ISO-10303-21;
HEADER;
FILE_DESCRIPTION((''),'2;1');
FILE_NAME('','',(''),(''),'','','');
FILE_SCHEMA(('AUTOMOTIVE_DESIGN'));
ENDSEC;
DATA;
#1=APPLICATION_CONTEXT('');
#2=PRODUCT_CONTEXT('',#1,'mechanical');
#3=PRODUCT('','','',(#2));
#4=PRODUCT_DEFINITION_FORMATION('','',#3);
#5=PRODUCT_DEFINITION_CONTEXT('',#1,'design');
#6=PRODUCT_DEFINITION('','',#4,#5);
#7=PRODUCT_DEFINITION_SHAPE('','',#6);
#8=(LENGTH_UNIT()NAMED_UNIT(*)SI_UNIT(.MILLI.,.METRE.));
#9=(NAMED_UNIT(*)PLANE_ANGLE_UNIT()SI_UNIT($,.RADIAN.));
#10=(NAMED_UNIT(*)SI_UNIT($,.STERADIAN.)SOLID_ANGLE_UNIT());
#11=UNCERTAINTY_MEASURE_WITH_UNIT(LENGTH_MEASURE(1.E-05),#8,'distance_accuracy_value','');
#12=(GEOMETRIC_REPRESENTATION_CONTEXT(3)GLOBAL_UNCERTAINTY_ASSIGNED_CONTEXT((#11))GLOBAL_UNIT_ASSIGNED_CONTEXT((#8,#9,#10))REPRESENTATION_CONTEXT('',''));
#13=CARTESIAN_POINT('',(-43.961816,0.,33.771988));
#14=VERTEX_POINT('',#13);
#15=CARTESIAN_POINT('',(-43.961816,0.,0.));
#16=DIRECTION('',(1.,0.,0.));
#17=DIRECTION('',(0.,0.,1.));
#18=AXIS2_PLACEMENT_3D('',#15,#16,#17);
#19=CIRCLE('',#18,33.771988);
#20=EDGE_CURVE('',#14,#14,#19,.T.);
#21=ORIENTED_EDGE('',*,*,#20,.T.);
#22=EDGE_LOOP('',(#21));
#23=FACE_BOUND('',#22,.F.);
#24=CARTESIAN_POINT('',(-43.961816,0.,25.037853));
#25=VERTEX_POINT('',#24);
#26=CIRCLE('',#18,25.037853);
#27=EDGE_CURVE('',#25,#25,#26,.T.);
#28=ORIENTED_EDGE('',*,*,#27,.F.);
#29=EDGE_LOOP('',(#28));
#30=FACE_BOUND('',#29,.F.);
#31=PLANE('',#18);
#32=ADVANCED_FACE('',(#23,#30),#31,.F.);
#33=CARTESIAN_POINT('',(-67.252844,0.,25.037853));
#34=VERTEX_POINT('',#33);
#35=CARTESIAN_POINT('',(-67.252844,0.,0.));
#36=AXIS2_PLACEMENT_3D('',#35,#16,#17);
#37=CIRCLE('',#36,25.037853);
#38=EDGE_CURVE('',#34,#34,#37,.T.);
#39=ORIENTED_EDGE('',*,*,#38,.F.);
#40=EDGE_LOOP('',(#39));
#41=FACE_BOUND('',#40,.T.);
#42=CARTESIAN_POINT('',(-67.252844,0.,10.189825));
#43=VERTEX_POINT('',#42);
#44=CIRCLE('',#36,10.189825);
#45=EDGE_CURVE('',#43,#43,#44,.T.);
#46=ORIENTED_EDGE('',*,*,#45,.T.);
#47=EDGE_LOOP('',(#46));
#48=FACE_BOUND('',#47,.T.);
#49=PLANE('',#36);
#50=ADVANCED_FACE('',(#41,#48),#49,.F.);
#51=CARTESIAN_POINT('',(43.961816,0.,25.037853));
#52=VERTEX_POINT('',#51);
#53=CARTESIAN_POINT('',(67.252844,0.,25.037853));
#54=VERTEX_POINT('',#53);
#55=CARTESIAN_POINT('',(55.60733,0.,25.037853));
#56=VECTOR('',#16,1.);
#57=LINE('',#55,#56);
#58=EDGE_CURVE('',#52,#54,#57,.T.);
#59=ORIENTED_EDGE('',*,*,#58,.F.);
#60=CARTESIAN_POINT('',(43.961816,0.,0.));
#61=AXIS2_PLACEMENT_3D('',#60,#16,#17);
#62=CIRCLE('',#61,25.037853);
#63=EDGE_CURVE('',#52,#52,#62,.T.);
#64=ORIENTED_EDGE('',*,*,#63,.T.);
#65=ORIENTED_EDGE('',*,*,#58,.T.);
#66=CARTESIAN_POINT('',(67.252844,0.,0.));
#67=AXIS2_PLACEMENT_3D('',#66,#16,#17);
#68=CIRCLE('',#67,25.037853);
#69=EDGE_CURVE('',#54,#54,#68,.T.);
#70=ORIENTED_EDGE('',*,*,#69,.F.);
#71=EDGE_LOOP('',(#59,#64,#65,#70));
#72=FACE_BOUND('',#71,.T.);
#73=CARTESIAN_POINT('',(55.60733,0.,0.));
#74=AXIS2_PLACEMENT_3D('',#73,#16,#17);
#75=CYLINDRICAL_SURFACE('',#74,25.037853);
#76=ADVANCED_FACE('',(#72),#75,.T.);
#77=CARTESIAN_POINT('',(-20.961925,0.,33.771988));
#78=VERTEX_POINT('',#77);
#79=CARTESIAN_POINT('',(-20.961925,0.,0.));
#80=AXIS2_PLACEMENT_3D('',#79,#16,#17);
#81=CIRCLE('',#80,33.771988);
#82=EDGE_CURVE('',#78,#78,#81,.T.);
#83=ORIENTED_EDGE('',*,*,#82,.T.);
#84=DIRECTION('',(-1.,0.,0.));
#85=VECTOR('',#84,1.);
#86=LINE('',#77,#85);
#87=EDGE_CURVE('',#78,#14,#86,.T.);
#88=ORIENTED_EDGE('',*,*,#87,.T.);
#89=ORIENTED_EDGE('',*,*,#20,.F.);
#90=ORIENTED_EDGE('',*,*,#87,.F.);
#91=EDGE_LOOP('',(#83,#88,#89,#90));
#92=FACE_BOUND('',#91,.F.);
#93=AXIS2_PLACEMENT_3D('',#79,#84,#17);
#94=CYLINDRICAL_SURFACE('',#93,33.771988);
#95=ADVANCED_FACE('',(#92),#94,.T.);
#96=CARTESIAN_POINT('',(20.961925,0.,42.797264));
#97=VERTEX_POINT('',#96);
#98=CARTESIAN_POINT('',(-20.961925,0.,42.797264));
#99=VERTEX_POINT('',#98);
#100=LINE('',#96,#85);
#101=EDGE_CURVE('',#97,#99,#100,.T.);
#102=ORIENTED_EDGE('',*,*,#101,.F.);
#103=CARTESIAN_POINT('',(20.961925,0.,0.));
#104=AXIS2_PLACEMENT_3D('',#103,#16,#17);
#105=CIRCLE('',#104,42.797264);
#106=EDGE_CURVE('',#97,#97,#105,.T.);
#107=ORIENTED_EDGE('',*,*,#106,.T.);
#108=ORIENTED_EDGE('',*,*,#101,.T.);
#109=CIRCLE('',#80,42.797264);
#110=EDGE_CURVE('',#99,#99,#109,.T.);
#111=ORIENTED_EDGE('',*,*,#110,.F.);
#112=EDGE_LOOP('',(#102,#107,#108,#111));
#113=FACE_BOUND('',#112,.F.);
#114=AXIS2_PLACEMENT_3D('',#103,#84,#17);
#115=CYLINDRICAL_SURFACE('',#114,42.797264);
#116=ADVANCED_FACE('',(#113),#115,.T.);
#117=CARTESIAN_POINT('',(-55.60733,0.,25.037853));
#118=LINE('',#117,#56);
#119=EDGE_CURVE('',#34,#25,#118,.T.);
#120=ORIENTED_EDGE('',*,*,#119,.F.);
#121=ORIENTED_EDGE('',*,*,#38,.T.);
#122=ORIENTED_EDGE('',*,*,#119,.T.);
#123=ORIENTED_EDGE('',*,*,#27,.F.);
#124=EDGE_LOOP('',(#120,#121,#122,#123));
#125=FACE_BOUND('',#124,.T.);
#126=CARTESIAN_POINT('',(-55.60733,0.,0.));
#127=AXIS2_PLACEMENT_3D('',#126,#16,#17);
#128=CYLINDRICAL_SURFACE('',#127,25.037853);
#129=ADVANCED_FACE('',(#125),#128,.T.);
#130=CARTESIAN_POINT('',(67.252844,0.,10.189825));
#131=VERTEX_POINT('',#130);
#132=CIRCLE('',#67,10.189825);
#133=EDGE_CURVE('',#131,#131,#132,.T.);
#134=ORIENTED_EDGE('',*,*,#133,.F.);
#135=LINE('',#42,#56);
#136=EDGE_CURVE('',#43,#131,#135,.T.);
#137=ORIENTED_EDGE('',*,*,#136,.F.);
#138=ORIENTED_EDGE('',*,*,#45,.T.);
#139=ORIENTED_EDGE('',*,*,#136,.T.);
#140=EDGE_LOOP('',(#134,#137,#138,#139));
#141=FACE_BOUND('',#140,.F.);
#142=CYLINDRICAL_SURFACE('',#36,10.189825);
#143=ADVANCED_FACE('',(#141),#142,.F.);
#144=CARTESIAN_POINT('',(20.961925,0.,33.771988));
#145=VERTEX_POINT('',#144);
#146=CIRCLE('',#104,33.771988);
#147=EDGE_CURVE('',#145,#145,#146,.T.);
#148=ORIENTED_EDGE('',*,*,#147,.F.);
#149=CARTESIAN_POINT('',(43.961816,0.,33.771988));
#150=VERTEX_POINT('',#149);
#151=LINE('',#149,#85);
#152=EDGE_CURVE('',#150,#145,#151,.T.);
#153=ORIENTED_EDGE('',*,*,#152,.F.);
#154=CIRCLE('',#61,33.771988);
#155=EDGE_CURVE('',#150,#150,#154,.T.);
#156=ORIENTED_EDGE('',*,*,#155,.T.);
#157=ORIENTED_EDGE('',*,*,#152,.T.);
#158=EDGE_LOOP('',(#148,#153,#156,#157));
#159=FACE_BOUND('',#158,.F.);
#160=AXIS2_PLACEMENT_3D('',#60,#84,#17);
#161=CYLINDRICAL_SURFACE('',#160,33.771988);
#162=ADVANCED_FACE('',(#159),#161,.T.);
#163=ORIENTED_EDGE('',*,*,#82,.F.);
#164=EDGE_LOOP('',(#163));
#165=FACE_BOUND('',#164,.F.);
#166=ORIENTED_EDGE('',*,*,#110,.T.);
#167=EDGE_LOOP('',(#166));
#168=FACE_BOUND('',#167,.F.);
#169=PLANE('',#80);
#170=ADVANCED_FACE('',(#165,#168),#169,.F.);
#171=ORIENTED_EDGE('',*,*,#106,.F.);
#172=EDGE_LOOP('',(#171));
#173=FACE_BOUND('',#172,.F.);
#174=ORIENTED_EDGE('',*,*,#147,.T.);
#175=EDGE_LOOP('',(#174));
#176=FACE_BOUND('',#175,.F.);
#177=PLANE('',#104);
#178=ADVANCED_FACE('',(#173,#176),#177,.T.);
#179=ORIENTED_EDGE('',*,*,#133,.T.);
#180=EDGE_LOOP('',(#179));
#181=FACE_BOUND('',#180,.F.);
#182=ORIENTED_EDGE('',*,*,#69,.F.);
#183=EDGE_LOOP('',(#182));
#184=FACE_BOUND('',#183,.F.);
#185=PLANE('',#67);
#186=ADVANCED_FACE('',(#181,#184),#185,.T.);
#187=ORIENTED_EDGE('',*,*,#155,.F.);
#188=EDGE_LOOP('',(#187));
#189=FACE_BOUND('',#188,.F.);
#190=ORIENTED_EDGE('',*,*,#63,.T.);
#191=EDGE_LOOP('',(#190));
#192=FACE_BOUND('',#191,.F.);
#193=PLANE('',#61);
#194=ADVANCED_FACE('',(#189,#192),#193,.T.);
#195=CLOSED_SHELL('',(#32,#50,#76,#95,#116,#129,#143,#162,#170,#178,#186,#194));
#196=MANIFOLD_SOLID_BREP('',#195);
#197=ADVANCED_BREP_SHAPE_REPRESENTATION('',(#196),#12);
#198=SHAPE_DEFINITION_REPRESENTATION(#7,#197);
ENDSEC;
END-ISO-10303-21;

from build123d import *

# Parameters (mm, degrees)
F0_W = 23.291029
F0_H = 14.848028


with BuildPart() as f1:
    # F0 (on Front) → F1 (revolve)
    with BuildSketch(Plane.XZ):
        Polygon((20.961925, 42.797264), (0, 42.797264), (0, 10.189825), (20.961925, 10.189825), (20.961925, 33.771988), align=None)
        Polygon((-43.961816, 10.189825), (-20.961925, 10.189825), (-20.961925, 33.771988), (-43.961816, 33.771988), (-43.961816, 25.037853), align=None)
        with Locations((-55.60733, 17.613839)):
            Rectangle(F0_W, F0_H)
        Polygon((0, 10.189825), (0, 42.797264), (-20.961925, 42.797264), (-20.961925, 33.771988), (-20.961925, 10.189825), align=None)
        Polygon((43.961816, 33.771988), (20.961925, 33.771988), (20.961925, 10.189825), (43.961816, 10.189825), (43.961816, 25.037853), align=None)
        with Locations((55.60733, 17.613839)):
            Rectangle(F0_W, F0_H)
    revolve(axis=Axis((-8.734133, 0, 0), (1, 0, 0)))


solid = f1.part
